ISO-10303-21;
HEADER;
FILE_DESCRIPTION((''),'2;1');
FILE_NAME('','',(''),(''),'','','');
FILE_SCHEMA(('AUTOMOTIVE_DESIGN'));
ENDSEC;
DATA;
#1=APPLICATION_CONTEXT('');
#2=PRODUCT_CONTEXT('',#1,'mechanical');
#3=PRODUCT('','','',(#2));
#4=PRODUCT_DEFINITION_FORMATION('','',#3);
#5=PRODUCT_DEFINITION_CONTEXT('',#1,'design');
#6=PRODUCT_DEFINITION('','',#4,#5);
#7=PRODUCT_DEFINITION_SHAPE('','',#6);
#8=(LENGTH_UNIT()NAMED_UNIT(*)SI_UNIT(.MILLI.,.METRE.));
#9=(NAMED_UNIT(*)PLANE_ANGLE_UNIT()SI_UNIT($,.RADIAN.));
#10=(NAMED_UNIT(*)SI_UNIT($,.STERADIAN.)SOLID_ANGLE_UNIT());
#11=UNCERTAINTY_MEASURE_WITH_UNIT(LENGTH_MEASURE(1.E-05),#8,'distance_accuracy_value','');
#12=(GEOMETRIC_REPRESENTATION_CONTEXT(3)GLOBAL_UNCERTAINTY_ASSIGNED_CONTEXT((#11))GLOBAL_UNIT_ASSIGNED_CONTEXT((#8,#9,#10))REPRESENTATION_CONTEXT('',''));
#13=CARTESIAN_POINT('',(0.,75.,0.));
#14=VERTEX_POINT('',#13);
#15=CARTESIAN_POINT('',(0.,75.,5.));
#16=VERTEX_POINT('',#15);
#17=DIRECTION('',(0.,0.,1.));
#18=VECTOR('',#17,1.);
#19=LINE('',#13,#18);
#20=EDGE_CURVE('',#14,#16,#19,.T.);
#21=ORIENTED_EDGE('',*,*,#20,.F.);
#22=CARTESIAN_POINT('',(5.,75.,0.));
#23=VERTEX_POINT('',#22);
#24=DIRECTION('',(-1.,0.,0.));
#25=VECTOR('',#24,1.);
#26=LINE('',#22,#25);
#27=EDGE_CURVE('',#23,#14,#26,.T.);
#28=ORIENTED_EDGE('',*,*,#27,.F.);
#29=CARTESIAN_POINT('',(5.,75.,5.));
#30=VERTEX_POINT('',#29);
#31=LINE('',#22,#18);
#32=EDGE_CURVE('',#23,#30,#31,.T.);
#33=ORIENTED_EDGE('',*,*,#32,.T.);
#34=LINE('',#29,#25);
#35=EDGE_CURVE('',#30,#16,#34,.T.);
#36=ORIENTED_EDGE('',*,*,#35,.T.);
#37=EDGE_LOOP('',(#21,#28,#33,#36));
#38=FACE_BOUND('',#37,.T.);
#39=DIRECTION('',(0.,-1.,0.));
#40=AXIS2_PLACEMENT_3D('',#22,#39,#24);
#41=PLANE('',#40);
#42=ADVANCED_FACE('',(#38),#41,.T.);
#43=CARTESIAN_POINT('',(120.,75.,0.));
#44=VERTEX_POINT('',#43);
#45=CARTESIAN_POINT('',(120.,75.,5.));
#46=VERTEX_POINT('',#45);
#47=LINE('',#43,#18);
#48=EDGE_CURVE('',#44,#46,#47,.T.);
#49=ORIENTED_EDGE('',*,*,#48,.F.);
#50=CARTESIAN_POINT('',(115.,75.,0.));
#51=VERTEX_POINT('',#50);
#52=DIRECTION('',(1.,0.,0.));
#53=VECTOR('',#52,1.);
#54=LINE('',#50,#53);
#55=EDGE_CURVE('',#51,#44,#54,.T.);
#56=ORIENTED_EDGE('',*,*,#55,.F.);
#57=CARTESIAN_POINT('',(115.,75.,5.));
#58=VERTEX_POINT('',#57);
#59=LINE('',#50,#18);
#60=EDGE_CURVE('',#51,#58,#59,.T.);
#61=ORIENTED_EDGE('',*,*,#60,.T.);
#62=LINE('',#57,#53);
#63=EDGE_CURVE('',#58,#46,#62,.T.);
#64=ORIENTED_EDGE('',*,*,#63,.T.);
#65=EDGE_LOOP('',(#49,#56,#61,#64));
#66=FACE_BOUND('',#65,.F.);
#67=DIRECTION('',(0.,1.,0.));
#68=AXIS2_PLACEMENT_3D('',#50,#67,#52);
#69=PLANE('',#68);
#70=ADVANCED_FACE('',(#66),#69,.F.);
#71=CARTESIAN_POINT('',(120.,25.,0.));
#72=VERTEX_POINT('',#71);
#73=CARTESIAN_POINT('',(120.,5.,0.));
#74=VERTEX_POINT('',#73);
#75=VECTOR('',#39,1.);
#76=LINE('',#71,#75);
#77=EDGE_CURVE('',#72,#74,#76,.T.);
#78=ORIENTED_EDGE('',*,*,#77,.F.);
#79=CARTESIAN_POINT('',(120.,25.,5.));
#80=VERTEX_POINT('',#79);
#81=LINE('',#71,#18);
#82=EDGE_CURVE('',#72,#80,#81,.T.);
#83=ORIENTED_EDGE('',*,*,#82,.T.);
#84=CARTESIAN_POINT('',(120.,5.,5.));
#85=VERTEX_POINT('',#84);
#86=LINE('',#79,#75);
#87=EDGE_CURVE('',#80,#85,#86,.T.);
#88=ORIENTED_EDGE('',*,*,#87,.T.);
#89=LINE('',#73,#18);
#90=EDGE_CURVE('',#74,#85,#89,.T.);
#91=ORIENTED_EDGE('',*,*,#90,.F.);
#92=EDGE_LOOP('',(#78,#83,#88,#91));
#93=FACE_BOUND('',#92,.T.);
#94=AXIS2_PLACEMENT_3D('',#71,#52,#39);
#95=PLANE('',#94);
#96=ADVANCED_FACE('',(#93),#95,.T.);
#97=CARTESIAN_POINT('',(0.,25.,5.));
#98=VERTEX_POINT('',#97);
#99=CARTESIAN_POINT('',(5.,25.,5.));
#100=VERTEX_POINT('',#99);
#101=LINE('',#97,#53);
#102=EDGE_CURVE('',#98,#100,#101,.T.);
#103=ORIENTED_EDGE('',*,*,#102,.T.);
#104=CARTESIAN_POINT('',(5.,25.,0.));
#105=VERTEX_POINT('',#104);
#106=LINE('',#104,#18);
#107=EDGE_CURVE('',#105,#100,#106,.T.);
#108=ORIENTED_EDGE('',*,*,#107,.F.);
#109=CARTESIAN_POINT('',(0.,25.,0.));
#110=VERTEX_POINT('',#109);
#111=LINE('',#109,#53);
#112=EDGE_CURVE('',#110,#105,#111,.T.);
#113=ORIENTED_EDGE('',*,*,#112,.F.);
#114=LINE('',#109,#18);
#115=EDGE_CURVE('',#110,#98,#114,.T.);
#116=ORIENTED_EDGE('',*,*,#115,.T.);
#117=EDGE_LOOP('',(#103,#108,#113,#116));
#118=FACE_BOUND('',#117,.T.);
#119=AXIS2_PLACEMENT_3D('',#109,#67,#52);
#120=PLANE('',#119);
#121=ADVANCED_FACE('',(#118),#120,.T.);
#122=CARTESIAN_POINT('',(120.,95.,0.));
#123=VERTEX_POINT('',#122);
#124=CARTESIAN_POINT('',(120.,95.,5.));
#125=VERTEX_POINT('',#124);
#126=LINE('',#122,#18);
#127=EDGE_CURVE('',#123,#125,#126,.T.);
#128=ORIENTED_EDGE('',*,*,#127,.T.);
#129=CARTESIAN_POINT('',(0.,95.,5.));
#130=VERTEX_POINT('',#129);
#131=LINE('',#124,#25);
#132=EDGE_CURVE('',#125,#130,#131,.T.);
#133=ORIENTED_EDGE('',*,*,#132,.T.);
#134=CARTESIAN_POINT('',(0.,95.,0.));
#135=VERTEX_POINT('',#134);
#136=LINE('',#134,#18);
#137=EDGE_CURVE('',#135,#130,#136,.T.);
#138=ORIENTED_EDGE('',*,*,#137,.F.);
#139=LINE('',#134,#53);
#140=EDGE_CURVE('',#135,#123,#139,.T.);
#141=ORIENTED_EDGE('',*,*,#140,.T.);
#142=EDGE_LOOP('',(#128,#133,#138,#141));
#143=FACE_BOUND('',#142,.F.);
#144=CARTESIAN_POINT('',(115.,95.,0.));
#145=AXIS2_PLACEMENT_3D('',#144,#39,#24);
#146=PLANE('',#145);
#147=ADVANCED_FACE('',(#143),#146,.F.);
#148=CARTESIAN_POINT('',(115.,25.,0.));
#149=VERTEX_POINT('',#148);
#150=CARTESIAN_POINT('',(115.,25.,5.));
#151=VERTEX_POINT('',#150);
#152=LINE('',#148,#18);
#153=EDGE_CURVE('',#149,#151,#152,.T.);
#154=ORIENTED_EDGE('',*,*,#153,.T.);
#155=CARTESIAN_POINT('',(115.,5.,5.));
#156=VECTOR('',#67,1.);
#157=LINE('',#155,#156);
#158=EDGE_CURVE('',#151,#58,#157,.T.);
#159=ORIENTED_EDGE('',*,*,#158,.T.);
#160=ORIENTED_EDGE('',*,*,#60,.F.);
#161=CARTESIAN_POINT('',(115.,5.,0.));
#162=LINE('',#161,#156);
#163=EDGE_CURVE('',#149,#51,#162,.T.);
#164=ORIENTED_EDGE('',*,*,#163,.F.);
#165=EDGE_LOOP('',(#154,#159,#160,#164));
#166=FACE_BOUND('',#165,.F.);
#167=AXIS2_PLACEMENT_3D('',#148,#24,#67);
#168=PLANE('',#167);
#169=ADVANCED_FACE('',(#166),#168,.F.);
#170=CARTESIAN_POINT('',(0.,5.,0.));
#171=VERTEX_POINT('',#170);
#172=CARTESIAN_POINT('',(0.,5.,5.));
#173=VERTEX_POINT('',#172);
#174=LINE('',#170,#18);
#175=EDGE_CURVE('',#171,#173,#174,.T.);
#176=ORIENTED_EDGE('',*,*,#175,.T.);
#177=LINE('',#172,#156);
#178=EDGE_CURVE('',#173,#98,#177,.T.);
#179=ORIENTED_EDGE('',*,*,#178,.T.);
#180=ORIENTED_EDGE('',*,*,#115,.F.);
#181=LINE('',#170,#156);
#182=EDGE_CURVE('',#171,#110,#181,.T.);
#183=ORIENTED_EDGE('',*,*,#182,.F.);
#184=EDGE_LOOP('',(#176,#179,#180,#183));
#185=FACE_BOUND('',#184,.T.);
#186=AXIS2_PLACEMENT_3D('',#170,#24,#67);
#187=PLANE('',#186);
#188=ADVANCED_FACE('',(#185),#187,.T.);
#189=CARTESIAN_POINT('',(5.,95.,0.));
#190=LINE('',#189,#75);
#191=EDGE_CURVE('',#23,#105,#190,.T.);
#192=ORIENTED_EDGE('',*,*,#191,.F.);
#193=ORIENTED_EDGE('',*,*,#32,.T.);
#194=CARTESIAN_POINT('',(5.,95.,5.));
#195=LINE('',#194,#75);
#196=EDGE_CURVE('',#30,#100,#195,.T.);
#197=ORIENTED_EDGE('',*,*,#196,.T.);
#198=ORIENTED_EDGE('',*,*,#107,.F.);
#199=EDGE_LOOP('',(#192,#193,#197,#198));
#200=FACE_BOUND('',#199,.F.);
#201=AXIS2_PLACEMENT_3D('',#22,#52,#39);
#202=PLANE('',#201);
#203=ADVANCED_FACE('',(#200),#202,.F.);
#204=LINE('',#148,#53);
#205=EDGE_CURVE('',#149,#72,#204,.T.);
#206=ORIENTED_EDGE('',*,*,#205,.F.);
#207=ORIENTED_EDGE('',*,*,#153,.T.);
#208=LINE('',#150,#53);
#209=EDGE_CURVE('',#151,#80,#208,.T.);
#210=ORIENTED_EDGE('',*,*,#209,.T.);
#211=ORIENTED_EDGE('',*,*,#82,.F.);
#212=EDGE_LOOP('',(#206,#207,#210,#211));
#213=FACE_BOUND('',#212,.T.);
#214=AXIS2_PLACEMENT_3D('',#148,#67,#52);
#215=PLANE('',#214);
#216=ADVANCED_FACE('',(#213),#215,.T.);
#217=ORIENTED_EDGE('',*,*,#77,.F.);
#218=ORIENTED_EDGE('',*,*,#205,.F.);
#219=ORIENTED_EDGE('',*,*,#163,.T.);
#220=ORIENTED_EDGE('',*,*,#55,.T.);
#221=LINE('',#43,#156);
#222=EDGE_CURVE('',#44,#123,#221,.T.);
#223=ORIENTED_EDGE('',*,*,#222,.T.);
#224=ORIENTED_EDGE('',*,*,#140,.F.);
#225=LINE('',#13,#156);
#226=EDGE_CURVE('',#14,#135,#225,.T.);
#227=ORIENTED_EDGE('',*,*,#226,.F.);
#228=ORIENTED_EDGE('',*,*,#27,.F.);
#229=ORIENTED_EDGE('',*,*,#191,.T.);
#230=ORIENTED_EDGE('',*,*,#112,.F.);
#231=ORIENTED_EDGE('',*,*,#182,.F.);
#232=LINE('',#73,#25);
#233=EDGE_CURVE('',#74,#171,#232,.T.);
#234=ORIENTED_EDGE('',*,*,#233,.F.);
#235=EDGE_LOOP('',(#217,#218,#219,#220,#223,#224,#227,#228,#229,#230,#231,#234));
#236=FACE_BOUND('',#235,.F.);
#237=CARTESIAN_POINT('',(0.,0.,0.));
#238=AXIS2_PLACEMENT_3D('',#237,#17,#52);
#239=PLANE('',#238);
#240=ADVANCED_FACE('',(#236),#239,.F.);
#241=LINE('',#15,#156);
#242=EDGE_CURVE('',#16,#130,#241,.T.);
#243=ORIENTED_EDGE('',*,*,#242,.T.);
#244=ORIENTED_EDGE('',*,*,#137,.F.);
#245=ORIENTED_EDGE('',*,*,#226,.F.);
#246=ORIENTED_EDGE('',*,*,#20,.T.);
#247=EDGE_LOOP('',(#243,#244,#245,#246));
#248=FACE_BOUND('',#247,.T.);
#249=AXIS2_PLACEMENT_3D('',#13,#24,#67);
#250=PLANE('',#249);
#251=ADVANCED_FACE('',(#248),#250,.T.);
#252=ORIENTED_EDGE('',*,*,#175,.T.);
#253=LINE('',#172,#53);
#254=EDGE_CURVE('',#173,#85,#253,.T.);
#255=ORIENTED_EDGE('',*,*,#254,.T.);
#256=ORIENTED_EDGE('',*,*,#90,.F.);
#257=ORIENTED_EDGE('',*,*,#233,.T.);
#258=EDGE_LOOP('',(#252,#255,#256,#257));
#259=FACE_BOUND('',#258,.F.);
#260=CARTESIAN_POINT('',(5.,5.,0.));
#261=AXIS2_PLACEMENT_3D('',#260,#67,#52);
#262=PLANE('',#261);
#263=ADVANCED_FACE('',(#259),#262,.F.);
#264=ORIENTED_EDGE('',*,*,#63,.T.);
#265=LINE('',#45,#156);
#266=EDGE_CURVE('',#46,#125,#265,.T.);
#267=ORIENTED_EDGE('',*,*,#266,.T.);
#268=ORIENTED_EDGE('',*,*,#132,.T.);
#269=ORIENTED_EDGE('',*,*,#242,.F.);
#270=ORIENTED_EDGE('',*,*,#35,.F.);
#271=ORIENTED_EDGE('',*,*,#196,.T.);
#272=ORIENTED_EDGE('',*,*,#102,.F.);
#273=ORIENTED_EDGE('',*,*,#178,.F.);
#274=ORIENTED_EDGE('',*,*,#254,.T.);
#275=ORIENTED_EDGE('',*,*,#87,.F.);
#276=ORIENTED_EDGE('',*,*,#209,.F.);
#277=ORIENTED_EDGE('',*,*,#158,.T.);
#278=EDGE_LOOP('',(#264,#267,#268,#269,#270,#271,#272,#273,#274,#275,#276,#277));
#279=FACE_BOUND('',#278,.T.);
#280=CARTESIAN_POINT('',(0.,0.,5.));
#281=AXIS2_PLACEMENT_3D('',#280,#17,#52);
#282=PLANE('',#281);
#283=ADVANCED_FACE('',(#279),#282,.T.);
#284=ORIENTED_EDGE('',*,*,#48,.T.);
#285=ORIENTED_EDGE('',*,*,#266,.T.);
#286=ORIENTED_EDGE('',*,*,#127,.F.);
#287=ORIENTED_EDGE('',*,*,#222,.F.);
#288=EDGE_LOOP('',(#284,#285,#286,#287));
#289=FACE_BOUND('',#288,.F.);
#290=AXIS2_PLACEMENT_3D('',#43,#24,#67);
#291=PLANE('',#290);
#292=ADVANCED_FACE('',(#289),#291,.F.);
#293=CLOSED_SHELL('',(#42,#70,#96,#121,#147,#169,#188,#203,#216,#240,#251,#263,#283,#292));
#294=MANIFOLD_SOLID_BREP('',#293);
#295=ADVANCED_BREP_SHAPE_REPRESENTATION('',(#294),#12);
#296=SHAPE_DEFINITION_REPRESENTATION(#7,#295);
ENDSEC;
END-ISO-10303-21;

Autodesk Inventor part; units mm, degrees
ref_plane "YZ Plane" through (0, 0, 0) normal (1, 0, 0) x (0, 1, 0)
ref_plane "XZ Plane" through (0, 0, 0) normal (0, 1, 0) x (-1, 0, 0)
ref_plane "XY Plane" through (0, 0, 0) normal (0, 0, 1) x (1, 0, 0)
sketch "Sketch1" plane through (0, 0, 0) normal (0, 0, 1) x (1, 0, 0)
  line L0 (5, 5) -> (115, 5)
  line L1 (115, 5) -> (115, 95)
  line L2 (115, 95) -> (5, 95)
  line L3 (5, 95) -> (5, 5)
  line L4 (0, 25) -> (5, 25)
  line L5 (5, 25) -> (5, 5)
  line L6 (5, 5) -> (0, 5)
  line L7 (0, 5) -> (0, 25)
  line L8 (0, 95) -> (5, 95)
  line L9 (5, 95) -> (5, 75)
  line L10 (5, 75) -> (0, 75)
  line L11 (0, 75) -> (0, 95)
  line L12 (120, 95) -> (115, 95)
  line L13 (115, 95) -> (115, 75)
  line L14 (115, 75) -> (120, 75)
  line L15 (120, 75) -> (120, 95)
  line L16 (120, 5) -> (115, 5)
  line L17 (115, 5) -> (115, 25)
  line L18 (115, 25) -> (120, 25)
  line L19 (120, 25) -> (120, 5)
extrude "Extrusion2" add sketch "Sketch1" along normal blind 5
properties part number "bottomside"
